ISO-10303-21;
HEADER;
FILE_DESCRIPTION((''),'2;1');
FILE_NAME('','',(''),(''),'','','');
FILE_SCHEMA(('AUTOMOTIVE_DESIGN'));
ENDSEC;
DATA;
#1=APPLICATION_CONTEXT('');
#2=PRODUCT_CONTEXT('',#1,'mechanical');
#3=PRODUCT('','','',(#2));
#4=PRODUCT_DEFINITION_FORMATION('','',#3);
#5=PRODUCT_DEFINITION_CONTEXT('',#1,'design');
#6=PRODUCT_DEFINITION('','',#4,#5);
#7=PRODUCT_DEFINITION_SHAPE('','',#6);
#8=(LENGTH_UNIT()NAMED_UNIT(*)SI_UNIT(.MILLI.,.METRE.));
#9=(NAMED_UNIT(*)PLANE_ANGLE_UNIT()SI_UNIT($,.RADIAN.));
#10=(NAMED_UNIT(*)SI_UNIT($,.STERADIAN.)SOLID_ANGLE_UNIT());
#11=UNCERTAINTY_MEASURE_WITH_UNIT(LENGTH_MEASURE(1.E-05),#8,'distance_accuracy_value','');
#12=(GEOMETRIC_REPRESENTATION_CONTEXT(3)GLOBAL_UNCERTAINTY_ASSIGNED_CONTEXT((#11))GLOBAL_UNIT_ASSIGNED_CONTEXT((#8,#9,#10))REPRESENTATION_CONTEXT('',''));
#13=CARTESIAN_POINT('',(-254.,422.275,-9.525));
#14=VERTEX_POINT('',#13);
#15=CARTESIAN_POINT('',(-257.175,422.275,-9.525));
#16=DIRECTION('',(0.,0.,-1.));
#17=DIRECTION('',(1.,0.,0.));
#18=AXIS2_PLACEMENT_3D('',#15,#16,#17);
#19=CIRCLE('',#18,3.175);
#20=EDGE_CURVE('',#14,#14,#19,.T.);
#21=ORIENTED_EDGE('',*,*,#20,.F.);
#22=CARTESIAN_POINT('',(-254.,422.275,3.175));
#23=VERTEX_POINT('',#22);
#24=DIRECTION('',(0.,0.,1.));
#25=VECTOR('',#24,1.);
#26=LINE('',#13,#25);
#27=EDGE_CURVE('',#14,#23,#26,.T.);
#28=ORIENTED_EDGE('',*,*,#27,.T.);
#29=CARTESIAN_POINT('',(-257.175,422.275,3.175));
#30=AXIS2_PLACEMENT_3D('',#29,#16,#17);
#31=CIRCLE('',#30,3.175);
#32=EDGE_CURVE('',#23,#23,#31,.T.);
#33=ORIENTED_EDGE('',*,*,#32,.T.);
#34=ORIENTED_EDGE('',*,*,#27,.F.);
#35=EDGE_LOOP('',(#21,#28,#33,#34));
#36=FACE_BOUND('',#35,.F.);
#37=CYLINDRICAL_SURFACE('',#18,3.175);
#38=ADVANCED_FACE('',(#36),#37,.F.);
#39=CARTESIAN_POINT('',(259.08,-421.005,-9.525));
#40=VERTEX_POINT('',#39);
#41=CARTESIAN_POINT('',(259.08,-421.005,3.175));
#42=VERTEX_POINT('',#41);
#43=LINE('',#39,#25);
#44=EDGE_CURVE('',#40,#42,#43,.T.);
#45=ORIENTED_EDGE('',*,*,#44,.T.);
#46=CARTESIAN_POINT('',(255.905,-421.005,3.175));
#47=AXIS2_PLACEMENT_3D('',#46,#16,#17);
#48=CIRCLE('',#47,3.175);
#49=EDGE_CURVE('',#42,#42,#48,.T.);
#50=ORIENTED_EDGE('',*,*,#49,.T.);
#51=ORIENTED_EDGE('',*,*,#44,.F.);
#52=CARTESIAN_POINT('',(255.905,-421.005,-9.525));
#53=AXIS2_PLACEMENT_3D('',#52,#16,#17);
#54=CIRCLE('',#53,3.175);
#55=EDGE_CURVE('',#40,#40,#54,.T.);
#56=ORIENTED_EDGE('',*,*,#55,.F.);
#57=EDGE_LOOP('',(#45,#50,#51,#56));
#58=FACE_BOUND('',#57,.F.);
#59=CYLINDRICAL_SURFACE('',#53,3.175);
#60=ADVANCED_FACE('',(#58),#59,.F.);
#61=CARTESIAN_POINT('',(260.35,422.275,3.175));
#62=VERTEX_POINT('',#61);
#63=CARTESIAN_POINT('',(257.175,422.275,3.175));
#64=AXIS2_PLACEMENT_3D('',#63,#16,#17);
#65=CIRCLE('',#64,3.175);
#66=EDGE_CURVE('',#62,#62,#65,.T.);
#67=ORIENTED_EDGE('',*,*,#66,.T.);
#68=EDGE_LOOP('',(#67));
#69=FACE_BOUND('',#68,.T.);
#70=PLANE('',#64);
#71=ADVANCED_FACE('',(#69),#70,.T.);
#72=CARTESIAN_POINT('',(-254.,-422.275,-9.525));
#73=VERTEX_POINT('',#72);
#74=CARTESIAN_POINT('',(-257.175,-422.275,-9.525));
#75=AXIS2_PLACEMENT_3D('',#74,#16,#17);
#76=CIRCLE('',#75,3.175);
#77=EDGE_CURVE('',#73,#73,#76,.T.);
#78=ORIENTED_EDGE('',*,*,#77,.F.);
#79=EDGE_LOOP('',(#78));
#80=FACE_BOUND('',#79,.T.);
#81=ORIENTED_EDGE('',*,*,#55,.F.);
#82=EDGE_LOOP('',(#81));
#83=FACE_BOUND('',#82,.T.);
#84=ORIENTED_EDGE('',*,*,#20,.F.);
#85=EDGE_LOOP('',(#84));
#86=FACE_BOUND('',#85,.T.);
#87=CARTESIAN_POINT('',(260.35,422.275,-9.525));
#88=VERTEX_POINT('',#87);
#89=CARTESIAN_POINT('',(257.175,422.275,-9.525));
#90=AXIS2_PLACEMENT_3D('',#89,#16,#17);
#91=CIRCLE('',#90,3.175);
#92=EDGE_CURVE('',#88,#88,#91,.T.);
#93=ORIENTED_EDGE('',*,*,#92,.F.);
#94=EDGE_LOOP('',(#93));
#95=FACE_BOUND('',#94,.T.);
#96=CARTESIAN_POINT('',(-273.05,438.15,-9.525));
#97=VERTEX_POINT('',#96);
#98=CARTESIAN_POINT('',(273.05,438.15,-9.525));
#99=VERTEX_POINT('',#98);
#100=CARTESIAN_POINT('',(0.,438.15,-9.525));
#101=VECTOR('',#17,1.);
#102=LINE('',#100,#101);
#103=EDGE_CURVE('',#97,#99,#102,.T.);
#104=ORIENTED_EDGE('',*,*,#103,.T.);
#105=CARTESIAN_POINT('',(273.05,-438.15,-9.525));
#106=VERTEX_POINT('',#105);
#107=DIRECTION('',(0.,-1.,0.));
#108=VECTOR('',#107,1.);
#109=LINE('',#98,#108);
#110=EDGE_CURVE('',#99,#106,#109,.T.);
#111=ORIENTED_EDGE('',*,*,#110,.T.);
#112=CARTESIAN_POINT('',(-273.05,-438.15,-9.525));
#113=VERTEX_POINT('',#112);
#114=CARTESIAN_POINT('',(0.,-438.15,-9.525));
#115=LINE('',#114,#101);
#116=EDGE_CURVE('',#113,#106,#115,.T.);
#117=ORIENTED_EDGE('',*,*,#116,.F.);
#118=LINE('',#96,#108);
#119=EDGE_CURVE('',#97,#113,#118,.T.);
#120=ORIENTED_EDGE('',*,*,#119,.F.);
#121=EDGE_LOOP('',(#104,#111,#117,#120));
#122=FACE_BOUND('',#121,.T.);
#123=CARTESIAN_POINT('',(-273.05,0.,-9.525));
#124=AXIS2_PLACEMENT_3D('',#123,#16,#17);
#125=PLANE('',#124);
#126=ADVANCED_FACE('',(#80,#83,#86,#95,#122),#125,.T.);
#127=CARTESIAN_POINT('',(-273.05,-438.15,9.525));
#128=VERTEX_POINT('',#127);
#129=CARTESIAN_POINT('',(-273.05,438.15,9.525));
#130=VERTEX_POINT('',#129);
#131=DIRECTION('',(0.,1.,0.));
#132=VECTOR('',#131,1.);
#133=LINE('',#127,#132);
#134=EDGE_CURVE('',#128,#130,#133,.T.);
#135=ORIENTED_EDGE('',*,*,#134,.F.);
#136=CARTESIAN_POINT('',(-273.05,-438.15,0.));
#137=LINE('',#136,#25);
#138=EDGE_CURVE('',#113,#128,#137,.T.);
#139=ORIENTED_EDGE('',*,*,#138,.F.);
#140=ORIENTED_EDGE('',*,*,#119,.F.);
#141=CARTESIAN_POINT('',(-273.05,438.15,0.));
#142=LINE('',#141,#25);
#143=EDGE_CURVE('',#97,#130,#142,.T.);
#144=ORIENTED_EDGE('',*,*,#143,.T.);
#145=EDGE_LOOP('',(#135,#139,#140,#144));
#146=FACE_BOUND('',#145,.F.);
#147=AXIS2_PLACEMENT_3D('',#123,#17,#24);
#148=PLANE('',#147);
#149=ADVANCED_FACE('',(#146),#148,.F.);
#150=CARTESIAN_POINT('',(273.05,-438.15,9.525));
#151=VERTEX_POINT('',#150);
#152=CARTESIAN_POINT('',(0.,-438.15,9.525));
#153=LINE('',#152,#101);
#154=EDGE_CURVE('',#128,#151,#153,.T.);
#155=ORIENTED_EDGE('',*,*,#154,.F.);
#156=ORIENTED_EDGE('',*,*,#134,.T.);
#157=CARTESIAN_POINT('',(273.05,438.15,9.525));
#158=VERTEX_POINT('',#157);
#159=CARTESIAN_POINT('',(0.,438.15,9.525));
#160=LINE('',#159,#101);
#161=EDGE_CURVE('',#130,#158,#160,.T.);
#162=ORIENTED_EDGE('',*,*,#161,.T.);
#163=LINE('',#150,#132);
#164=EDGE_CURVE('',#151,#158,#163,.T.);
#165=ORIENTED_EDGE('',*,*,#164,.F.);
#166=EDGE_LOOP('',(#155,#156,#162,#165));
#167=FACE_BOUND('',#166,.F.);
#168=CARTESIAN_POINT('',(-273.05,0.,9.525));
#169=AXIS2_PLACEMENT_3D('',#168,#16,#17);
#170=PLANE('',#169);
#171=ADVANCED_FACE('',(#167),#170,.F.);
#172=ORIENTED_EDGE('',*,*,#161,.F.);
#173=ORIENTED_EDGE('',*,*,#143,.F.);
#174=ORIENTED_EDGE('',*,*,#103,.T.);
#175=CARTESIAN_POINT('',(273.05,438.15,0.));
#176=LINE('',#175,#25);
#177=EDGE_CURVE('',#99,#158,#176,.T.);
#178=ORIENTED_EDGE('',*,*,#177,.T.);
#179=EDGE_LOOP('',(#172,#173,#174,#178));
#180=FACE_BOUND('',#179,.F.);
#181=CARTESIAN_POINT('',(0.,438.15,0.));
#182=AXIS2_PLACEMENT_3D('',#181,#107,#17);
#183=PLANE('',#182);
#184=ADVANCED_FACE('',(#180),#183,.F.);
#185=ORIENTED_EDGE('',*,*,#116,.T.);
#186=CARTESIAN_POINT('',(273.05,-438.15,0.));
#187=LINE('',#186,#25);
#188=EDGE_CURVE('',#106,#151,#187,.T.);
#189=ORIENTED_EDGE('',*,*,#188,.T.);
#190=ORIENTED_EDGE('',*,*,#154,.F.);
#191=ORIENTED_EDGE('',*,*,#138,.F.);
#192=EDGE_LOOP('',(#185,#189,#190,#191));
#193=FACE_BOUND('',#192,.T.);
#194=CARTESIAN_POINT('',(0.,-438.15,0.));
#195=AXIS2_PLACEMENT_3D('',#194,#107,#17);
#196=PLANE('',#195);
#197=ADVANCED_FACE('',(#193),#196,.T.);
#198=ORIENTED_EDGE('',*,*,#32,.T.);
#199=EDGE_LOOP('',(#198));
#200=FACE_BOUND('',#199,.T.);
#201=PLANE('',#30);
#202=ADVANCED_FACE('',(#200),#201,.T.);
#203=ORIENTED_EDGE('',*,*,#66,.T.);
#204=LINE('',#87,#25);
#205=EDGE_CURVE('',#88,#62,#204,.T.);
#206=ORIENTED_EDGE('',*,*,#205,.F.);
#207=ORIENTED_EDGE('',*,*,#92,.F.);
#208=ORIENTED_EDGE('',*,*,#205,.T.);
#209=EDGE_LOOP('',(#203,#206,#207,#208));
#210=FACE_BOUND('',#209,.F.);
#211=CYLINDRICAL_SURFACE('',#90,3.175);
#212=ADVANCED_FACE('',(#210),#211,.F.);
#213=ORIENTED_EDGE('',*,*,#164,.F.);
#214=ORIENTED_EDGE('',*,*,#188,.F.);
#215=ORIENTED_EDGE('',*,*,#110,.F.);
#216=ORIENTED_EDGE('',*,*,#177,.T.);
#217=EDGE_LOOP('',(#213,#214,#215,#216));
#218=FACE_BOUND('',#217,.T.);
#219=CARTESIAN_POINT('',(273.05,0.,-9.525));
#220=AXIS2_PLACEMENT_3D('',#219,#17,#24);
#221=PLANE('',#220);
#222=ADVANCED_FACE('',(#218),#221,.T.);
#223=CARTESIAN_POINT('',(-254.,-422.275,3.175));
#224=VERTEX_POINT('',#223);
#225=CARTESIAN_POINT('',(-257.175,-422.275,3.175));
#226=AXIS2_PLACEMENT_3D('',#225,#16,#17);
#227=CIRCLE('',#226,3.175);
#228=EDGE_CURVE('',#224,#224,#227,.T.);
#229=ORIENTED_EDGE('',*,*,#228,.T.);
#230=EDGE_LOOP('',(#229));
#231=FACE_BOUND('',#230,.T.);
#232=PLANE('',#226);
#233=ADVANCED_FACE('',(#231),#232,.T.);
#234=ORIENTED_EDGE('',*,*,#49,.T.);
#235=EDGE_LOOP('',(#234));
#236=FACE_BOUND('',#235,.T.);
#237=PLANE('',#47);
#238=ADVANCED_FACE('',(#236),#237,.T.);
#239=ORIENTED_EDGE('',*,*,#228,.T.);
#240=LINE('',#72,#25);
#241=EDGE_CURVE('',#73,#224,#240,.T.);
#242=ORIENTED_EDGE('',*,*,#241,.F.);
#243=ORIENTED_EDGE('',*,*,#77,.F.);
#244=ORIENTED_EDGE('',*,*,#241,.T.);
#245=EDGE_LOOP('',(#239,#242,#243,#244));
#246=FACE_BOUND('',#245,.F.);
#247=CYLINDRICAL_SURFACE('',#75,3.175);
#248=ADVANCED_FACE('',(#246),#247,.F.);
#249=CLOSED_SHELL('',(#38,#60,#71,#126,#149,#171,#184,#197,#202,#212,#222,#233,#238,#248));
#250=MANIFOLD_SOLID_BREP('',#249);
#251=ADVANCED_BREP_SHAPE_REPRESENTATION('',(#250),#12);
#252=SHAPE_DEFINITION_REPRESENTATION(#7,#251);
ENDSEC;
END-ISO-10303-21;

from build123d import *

# Parameters (mm, degrees)
F0_W     = 546.1
F0_H     = 19.05
F1_DEPTH = 438.15
F2_R     = 3.175
F3_DEPTH = 12.7


with BuildPart() as f1:
    # F0 (on Front) → F1 (new body, symmetric)
    with BuildSketch(Plane.XZ):
        Rectangle(F0_W, F0_H)
    extrude(amount=F1_DEPTH, both=True)

    # F2 (on face) → F3 (cut)
    with BuildSketch(Plane(origin=(0, 0, -9.525), x_dir=(1, 0, 0), z_dir=(0, 0, -1))):
        with Locations((255.905, 421.005)):
            Circle(F2_R)
        with Locations((257.175, -422.275)):
            Circle(F2_R)
        with Locations((-257.175, -422.275)):
            Circle(F2_R)
        with Locations((-257.175, 422.275)):
            Circle(F2_R)
    extrude(amount=-F3_DEPTH, mode=Mode.SUBTRACT)


solid = f1.part
